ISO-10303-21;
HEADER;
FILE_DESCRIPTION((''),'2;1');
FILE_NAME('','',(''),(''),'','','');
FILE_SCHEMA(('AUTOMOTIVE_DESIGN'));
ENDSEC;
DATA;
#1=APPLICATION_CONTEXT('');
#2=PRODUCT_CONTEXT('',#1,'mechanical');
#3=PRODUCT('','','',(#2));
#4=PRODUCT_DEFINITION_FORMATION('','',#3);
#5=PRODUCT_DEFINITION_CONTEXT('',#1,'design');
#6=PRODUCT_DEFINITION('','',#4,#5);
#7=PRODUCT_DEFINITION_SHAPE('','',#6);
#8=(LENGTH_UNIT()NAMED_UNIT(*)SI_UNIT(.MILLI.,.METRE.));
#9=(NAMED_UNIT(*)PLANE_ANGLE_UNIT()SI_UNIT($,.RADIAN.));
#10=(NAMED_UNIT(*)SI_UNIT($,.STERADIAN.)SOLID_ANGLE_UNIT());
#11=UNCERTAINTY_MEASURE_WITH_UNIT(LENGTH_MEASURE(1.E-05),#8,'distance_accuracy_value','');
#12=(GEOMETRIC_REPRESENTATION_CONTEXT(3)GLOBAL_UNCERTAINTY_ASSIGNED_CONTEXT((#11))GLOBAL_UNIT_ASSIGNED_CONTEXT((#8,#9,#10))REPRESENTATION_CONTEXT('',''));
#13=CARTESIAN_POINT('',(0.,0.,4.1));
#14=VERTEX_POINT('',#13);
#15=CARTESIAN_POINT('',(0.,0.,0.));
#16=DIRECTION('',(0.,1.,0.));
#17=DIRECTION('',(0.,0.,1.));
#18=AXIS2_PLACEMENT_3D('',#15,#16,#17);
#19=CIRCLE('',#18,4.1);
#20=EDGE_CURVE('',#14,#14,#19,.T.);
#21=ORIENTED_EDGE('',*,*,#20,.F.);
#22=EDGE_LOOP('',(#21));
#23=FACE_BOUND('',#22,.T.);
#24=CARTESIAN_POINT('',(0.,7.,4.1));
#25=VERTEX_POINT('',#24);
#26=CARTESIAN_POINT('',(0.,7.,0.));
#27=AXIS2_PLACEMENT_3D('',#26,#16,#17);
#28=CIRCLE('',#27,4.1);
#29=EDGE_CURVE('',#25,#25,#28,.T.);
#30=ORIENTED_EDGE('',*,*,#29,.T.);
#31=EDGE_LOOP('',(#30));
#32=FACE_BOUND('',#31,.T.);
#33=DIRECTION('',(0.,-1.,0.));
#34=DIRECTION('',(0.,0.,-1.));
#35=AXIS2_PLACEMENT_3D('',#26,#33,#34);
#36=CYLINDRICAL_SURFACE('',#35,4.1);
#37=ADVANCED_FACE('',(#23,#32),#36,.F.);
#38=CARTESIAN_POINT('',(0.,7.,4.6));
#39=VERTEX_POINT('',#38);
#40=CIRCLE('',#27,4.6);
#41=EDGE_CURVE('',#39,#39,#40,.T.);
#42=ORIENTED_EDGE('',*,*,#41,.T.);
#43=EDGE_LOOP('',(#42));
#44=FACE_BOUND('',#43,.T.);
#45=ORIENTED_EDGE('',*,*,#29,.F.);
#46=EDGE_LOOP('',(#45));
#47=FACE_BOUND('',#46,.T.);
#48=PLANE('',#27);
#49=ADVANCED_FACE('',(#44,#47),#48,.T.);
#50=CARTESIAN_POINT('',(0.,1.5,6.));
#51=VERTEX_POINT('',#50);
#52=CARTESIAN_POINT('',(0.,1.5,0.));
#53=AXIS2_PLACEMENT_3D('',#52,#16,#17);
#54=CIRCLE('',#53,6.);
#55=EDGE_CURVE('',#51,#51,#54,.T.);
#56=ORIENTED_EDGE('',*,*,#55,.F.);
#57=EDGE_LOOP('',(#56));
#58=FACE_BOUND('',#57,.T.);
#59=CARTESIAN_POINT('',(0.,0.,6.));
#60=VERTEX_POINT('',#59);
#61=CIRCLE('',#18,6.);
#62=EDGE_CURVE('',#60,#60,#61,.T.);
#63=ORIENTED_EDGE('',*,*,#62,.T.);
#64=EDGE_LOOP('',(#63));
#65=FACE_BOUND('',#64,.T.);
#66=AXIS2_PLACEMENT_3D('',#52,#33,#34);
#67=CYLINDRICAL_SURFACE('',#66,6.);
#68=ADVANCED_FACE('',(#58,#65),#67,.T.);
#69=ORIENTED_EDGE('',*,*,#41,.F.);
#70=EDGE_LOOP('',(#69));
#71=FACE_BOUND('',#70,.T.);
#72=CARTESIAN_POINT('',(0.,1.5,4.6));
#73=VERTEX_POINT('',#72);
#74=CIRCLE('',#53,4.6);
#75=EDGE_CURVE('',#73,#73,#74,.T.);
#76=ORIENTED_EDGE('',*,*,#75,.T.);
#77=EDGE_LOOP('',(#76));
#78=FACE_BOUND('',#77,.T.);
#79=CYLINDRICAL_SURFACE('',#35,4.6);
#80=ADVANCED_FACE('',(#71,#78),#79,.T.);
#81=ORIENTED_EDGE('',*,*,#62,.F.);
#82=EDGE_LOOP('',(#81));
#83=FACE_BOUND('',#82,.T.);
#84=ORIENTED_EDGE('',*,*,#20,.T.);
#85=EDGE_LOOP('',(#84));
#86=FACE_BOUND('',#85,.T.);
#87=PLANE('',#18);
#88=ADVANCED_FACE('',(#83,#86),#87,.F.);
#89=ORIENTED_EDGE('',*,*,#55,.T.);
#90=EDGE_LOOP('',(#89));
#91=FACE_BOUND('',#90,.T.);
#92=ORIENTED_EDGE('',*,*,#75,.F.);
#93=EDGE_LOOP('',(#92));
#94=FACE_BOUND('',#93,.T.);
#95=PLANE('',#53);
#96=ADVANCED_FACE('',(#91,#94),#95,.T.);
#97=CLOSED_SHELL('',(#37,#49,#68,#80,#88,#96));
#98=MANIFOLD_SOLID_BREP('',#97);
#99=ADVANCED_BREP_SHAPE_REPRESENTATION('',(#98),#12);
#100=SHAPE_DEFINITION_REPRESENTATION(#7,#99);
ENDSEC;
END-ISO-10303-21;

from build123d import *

# Parameters (mm, degrees)
BASES_R      = 4.6
BASES_R_2    = 4.1
BASE_DEPTH   = 7
FLANGES_R    = 6
FLANGES_R_2  = 4.6
FLANGE_DEPTH = 1.5


with BuildPart() as part:
    # BaseS → BASE (new body)
    with BuildSketch(Plane(origin=(0, 0, 0), x_dir=(1, 0, 0), z_dir=(0, 1, 0))):
        with Locations(Location((0, 0, 0), (0, 0, 270))):
            Circle(BASES_R)
        with Locations(Location((0, 0, 0), (0, 0, 270))):
            Circle(BASES_R_2, mode=Mode.SUBTRACT)
    extrude(amount=BASE_DEPTH)

    # FlangeS → FLANGE (add)
    with BuildSketch(Plane(origin=(0, 0, 0), x_dir=(1, 0, 0), z_dir=(0, 1, 0))):
        with Locations(Location((0, 0, 0), (0, 0, 270))):
            Circle(FLANGES_R)
        with Locations(Location((0, 0, 0), (0, 0, 270))):
            Circle(FLANGES_R_2, mode=Mode.SUBTRACT)
    extrude(amount=FLANGE_DEPTH)


solid = part.part
